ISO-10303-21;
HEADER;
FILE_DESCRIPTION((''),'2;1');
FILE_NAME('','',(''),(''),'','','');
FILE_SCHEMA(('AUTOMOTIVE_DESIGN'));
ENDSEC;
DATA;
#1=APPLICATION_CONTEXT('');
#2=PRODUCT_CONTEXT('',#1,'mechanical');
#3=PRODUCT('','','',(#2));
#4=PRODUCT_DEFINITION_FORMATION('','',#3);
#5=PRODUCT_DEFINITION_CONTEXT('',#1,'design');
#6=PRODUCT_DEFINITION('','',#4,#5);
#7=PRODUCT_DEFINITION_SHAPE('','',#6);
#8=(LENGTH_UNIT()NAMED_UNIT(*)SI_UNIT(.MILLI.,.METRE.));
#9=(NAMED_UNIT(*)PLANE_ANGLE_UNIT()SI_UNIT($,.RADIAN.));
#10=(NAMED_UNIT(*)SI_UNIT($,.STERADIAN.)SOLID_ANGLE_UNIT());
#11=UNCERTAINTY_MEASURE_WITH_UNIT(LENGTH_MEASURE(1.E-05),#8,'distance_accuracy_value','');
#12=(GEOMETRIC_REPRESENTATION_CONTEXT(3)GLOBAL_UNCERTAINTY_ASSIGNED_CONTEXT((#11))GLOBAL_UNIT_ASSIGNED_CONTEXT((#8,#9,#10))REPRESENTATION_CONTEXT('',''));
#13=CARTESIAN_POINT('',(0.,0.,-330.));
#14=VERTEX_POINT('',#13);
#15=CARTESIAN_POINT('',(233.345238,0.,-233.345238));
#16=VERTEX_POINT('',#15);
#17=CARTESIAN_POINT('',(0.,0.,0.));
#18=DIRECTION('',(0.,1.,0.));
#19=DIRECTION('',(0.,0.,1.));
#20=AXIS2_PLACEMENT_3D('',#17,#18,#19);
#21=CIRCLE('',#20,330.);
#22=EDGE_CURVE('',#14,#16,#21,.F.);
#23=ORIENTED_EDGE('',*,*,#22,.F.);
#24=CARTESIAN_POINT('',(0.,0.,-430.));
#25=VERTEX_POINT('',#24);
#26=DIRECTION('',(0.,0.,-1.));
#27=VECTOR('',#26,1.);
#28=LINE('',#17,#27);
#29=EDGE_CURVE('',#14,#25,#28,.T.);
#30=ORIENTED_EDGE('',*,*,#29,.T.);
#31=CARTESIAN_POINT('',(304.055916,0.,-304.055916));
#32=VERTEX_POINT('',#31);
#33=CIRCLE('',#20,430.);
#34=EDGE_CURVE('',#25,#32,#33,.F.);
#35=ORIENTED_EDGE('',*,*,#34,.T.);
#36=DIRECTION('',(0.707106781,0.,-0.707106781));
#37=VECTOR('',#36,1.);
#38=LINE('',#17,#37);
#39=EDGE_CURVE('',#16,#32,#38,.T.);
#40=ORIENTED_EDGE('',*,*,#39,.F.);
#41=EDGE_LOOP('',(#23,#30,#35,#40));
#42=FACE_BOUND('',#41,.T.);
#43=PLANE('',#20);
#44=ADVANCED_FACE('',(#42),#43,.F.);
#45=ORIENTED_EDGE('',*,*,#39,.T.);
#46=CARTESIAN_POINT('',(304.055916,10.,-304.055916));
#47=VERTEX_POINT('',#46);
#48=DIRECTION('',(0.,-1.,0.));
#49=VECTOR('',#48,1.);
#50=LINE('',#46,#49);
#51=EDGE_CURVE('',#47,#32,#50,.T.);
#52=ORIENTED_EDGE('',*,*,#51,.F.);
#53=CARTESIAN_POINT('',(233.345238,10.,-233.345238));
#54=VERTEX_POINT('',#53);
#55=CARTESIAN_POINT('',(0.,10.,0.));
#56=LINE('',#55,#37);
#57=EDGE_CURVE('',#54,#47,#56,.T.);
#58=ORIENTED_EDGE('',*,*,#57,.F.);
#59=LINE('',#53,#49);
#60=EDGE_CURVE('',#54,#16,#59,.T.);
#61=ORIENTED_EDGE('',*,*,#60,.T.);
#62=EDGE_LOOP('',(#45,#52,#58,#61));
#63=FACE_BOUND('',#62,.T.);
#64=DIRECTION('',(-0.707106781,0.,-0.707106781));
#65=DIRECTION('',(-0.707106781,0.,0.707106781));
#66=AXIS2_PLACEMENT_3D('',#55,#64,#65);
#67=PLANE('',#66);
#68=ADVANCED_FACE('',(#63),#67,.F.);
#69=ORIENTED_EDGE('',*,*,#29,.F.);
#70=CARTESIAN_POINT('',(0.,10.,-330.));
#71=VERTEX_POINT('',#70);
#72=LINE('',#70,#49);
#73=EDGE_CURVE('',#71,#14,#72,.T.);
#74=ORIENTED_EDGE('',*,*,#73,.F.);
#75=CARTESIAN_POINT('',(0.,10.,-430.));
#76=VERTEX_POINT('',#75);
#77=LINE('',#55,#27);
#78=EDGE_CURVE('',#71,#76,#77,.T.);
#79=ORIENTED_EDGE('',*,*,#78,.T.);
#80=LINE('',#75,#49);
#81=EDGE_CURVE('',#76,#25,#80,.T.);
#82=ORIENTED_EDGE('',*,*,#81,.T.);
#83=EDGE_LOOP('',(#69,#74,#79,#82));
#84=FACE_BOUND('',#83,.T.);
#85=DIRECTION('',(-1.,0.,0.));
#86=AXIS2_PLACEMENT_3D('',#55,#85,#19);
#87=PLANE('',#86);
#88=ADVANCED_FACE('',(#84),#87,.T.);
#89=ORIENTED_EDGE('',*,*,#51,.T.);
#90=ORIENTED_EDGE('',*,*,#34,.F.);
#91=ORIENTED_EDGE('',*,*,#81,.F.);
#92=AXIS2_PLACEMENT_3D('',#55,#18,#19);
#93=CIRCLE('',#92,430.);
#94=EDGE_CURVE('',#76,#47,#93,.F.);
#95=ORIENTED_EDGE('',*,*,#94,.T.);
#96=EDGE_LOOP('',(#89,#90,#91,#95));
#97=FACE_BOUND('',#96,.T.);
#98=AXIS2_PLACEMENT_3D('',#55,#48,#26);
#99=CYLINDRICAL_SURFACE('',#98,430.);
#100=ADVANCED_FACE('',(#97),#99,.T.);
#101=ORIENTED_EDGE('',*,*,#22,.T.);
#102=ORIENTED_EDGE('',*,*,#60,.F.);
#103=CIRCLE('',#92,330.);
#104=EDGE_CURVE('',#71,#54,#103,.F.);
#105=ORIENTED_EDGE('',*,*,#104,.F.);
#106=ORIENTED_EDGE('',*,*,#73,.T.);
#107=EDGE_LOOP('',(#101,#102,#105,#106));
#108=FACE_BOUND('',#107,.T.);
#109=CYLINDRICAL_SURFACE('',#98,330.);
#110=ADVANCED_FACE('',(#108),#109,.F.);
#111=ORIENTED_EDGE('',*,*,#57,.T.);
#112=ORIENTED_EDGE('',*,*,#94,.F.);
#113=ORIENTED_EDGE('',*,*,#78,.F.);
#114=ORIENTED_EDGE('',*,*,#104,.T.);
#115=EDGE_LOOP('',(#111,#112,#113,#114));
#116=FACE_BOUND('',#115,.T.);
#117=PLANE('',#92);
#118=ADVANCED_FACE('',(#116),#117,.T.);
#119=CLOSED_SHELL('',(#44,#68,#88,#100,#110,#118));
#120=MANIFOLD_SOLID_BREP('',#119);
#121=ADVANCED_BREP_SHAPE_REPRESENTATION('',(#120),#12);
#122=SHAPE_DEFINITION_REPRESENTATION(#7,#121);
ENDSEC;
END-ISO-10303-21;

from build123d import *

# Parameters (mm, degrees)
BOSS_EXTRUDE1_DEPTH = 10


with BuildPart() as part:
    # Sketch1 → Boss-Extrude1 (new body)
    with BuildSketch(Plane(origin=(0, 0, 0), x_dir=(1, 0, 0), z_dir=(0, 1, 0))):
        with BuildLine():
            ThreePointArc((0, 430), (164.553875917, 397.26819898), (304.05591591, 304.05591591))
            Line((304.05591591, 304.05591591), (233.345237792, 233.345237792))
            ThreePointArc((233.345237792, 233.345237792), (126.28553268, 304.880245729), (0, 330))
            Line((0, 330), (0, 430))
        make_face()
    extrude(amount=BOSS_EXTRUDE1_DEPTH)


solid = part.part
